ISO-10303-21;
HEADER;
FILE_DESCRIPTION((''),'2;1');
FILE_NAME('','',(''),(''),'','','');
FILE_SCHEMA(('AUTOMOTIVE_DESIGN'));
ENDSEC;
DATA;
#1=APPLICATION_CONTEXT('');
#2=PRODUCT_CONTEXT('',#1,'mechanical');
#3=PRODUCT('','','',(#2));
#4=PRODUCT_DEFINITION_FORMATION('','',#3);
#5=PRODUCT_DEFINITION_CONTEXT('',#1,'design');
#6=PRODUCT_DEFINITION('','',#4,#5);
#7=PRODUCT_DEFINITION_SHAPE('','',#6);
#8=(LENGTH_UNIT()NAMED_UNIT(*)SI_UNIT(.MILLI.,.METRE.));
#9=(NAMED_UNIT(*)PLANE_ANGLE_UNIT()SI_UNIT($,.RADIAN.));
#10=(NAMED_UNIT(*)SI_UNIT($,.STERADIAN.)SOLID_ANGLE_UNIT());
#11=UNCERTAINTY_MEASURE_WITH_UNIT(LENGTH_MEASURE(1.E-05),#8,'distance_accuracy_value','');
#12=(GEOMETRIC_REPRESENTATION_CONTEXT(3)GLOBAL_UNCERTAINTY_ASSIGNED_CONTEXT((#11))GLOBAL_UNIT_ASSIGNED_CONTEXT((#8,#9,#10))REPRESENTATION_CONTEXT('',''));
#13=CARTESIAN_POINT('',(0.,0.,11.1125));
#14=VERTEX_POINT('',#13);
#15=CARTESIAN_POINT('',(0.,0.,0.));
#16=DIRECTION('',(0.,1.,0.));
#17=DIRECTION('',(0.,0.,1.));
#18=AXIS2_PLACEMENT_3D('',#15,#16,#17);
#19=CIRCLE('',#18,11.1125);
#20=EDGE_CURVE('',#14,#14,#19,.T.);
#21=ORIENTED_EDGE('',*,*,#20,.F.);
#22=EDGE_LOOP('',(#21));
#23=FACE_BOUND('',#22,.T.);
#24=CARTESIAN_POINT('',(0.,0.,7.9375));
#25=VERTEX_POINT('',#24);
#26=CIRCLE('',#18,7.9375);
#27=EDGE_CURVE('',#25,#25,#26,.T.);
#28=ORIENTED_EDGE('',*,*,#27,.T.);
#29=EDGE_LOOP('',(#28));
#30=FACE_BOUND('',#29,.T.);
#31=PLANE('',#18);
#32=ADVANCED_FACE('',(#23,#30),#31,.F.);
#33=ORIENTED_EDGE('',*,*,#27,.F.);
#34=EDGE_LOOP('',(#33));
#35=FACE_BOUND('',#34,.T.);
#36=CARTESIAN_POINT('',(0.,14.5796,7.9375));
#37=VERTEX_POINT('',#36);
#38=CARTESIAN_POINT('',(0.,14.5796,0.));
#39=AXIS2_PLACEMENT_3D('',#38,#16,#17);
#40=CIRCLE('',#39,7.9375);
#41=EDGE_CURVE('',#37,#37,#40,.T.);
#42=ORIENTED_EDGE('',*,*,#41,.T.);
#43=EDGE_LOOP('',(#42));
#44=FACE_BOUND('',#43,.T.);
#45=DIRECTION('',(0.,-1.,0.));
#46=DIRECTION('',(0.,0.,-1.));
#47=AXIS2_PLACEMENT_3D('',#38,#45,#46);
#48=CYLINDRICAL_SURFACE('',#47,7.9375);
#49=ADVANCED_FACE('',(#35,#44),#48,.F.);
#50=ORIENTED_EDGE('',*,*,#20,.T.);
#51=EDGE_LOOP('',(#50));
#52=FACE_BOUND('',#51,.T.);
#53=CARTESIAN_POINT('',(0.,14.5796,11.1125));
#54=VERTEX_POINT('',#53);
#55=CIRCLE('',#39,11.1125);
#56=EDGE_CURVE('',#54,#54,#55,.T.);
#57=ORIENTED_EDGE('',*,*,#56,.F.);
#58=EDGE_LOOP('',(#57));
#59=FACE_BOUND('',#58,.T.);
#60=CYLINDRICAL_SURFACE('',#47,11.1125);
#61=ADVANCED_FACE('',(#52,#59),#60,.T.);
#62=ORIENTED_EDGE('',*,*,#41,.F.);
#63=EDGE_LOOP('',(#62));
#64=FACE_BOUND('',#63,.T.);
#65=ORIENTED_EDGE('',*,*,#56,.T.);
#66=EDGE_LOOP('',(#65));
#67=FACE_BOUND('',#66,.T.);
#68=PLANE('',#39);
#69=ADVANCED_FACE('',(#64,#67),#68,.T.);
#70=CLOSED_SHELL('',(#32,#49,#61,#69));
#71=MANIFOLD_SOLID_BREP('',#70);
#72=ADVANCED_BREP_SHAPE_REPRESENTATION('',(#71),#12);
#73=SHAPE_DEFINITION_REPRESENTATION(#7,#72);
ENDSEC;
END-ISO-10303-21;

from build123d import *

# Parameters (mm, degrees)
SKETCH1_R           = 11.1125
SKETCH1_R_2         = 7.9375
BOSS_EXTRUDE1_DEPTH = 14.5796


with BuildPart() as part:
    # Sketch1 → Boss-Extrude1 (new body)
    with BuildSketch(Plane(origin=(0, 0, 0), x_dir=(1, 0, 0), z_dir=(0, 1, 0))):
        Circle(SKETCH1_R)
        Circle(SKETCH1_R_2, mode=Mode.SUBTRACT)
    extrude(amount=BOSS_EXTRUDE1_DEPTH)


solid = part.part
